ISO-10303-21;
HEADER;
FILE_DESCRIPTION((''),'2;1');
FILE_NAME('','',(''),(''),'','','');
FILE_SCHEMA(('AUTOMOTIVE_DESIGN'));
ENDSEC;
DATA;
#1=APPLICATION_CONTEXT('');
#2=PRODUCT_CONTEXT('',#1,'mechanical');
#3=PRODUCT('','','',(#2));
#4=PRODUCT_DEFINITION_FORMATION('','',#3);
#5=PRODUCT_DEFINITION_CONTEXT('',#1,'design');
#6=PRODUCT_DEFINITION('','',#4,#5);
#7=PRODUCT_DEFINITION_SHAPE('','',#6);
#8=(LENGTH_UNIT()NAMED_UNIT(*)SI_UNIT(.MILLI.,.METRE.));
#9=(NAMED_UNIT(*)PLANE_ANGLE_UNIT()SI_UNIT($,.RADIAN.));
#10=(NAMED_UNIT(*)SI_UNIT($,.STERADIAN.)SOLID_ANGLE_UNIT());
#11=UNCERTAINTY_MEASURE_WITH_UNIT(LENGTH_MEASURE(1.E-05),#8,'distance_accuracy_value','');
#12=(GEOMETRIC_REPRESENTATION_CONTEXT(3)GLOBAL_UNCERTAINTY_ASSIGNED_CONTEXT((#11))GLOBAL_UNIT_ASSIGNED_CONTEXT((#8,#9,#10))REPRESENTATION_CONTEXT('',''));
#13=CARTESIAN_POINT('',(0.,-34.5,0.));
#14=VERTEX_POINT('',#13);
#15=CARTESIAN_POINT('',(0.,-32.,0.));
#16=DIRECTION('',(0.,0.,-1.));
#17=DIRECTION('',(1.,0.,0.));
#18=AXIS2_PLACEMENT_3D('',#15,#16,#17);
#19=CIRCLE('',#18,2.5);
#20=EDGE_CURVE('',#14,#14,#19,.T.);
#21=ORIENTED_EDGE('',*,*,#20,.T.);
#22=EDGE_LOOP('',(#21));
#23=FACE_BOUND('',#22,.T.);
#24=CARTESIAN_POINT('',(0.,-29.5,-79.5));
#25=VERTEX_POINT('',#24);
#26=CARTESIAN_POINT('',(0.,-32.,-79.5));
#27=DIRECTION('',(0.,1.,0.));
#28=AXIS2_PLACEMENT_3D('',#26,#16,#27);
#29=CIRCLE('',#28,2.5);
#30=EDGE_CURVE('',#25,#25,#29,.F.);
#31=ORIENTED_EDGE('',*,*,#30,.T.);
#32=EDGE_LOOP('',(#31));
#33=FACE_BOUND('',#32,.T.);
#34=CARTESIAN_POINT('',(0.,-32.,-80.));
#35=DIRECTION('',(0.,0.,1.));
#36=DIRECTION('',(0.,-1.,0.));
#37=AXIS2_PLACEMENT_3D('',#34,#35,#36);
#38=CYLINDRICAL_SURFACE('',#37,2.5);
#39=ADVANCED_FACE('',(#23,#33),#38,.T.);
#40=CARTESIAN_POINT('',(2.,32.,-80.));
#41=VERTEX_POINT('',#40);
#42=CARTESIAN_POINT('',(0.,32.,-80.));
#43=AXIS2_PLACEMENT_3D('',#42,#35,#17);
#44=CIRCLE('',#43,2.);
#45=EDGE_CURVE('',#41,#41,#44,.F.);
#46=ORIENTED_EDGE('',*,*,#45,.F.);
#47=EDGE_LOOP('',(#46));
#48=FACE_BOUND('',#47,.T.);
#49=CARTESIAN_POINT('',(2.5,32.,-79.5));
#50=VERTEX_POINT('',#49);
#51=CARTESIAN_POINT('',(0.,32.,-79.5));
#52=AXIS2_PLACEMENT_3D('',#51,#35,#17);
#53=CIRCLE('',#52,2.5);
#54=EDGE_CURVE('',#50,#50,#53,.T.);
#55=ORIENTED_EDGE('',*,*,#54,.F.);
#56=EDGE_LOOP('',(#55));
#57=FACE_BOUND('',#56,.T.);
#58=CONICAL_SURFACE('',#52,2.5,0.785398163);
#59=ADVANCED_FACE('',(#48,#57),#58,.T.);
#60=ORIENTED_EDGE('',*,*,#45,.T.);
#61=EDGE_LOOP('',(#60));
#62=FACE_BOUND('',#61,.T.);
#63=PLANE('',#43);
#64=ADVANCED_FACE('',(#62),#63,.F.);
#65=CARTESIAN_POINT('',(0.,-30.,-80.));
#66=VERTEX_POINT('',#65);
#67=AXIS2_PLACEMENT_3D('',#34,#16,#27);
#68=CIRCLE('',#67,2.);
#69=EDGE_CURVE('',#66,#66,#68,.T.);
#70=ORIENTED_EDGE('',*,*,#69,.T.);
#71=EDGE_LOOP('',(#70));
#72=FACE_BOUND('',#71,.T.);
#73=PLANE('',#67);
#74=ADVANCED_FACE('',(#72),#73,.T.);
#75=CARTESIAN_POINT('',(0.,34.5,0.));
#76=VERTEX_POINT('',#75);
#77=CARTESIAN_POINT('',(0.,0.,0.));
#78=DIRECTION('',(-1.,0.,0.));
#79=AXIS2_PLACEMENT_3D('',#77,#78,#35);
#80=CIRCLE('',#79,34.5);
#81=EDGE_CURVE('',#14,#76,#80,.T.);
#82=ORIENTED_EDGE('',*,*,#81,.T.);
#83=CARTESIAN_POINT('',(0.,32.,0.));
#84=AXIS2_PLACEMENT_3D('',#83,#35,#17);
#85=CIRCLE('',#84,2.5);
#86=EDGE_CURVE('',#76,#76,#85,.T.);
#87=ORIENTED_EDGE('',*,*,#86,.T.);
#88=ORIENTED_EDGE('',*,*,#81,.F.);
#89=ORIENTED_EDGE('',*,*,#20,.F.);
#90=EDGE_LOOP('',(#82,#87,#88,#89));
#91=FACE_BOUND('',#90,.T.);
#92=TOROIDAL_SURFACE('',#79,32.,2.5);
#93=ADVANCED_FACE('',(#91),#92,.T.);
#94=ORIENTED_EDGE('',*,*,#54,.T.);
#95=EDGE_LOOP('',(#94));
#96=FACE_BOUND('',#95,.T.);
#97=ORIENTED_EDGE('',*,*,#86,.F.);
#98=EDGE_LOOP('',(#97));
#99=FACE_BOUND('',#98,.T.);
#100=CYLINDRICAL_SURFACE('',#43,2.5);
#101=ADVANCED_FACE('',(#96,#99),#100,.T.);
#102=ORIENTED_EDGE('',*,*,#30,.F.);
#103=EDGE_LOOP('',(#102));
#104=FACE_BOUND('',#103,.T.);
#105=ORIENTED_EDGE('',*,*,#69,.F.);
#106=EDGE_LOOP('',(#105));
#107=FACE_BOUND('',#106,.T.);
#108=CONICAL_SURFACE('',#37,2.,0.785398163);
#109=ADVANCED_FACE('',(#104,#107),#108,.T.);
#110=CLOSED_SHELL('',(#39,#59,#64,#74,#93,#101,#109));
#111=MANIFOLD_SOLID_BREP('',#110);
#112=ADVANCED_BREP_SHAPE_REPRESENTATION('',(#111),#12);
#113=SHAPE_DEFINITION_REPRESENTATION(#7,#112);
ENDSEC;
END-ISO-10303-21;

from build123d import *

# Parameters (mm, degrees)
SKETCH1_R           = 2.5
REVOLVE1_ANGLE      = 180
SKETCH1_2_R         = 2.5
BOSS_EXTRUDE1_DEPTH = 80
SKETCH2_R           = 2.5
BOSS_EXTRUDE2_DEPTH = 80
CHAMFER1_SIZE       = 0.5


with BuildPart() as part:
    # Sketch1 → Revolve1 (revolve)
    with BuildSketch(Plane.XY):
        with Locations((0, 32)):
            Circle(SKETCH1_R)
    revolve(axis=Axis((0, 0, 0), (1, 0, 0)), revolution_arc=REVOLVE1_ANGLE)

    # Sketch1<2> → Boss-Extrude1 (add)
    with BuildSketch(Plane.XY):
        with Locations((0, 32)):
            Circle(SKETCH1_2_R)
    extrude(amount=-BOSS_EXTRUDE1_DEPTH)

    # Sketch2 → Boss-Extrude2 (add)
    with BuildSketch(Plane(origin=(0, 0, 0), x_dir=(-1, 0, 0), z_dir=(0, 0, -1))):
        with Locations((0, -32)):
            Circle(SKETCH2_R)
    extrude(amount=BOSS_EXTRUDE2_DEPTH)

    # Chamfer1
    chamfer1_edges = [part.edges().sort_by_distance(p)[0] for p in [
        (2.5, -32, -80),
        (-2.5, 32, -80),
    ]]
    chamfer(chamfer1_edges, length=CHAMFER1_SIZE)


solid = part.part
